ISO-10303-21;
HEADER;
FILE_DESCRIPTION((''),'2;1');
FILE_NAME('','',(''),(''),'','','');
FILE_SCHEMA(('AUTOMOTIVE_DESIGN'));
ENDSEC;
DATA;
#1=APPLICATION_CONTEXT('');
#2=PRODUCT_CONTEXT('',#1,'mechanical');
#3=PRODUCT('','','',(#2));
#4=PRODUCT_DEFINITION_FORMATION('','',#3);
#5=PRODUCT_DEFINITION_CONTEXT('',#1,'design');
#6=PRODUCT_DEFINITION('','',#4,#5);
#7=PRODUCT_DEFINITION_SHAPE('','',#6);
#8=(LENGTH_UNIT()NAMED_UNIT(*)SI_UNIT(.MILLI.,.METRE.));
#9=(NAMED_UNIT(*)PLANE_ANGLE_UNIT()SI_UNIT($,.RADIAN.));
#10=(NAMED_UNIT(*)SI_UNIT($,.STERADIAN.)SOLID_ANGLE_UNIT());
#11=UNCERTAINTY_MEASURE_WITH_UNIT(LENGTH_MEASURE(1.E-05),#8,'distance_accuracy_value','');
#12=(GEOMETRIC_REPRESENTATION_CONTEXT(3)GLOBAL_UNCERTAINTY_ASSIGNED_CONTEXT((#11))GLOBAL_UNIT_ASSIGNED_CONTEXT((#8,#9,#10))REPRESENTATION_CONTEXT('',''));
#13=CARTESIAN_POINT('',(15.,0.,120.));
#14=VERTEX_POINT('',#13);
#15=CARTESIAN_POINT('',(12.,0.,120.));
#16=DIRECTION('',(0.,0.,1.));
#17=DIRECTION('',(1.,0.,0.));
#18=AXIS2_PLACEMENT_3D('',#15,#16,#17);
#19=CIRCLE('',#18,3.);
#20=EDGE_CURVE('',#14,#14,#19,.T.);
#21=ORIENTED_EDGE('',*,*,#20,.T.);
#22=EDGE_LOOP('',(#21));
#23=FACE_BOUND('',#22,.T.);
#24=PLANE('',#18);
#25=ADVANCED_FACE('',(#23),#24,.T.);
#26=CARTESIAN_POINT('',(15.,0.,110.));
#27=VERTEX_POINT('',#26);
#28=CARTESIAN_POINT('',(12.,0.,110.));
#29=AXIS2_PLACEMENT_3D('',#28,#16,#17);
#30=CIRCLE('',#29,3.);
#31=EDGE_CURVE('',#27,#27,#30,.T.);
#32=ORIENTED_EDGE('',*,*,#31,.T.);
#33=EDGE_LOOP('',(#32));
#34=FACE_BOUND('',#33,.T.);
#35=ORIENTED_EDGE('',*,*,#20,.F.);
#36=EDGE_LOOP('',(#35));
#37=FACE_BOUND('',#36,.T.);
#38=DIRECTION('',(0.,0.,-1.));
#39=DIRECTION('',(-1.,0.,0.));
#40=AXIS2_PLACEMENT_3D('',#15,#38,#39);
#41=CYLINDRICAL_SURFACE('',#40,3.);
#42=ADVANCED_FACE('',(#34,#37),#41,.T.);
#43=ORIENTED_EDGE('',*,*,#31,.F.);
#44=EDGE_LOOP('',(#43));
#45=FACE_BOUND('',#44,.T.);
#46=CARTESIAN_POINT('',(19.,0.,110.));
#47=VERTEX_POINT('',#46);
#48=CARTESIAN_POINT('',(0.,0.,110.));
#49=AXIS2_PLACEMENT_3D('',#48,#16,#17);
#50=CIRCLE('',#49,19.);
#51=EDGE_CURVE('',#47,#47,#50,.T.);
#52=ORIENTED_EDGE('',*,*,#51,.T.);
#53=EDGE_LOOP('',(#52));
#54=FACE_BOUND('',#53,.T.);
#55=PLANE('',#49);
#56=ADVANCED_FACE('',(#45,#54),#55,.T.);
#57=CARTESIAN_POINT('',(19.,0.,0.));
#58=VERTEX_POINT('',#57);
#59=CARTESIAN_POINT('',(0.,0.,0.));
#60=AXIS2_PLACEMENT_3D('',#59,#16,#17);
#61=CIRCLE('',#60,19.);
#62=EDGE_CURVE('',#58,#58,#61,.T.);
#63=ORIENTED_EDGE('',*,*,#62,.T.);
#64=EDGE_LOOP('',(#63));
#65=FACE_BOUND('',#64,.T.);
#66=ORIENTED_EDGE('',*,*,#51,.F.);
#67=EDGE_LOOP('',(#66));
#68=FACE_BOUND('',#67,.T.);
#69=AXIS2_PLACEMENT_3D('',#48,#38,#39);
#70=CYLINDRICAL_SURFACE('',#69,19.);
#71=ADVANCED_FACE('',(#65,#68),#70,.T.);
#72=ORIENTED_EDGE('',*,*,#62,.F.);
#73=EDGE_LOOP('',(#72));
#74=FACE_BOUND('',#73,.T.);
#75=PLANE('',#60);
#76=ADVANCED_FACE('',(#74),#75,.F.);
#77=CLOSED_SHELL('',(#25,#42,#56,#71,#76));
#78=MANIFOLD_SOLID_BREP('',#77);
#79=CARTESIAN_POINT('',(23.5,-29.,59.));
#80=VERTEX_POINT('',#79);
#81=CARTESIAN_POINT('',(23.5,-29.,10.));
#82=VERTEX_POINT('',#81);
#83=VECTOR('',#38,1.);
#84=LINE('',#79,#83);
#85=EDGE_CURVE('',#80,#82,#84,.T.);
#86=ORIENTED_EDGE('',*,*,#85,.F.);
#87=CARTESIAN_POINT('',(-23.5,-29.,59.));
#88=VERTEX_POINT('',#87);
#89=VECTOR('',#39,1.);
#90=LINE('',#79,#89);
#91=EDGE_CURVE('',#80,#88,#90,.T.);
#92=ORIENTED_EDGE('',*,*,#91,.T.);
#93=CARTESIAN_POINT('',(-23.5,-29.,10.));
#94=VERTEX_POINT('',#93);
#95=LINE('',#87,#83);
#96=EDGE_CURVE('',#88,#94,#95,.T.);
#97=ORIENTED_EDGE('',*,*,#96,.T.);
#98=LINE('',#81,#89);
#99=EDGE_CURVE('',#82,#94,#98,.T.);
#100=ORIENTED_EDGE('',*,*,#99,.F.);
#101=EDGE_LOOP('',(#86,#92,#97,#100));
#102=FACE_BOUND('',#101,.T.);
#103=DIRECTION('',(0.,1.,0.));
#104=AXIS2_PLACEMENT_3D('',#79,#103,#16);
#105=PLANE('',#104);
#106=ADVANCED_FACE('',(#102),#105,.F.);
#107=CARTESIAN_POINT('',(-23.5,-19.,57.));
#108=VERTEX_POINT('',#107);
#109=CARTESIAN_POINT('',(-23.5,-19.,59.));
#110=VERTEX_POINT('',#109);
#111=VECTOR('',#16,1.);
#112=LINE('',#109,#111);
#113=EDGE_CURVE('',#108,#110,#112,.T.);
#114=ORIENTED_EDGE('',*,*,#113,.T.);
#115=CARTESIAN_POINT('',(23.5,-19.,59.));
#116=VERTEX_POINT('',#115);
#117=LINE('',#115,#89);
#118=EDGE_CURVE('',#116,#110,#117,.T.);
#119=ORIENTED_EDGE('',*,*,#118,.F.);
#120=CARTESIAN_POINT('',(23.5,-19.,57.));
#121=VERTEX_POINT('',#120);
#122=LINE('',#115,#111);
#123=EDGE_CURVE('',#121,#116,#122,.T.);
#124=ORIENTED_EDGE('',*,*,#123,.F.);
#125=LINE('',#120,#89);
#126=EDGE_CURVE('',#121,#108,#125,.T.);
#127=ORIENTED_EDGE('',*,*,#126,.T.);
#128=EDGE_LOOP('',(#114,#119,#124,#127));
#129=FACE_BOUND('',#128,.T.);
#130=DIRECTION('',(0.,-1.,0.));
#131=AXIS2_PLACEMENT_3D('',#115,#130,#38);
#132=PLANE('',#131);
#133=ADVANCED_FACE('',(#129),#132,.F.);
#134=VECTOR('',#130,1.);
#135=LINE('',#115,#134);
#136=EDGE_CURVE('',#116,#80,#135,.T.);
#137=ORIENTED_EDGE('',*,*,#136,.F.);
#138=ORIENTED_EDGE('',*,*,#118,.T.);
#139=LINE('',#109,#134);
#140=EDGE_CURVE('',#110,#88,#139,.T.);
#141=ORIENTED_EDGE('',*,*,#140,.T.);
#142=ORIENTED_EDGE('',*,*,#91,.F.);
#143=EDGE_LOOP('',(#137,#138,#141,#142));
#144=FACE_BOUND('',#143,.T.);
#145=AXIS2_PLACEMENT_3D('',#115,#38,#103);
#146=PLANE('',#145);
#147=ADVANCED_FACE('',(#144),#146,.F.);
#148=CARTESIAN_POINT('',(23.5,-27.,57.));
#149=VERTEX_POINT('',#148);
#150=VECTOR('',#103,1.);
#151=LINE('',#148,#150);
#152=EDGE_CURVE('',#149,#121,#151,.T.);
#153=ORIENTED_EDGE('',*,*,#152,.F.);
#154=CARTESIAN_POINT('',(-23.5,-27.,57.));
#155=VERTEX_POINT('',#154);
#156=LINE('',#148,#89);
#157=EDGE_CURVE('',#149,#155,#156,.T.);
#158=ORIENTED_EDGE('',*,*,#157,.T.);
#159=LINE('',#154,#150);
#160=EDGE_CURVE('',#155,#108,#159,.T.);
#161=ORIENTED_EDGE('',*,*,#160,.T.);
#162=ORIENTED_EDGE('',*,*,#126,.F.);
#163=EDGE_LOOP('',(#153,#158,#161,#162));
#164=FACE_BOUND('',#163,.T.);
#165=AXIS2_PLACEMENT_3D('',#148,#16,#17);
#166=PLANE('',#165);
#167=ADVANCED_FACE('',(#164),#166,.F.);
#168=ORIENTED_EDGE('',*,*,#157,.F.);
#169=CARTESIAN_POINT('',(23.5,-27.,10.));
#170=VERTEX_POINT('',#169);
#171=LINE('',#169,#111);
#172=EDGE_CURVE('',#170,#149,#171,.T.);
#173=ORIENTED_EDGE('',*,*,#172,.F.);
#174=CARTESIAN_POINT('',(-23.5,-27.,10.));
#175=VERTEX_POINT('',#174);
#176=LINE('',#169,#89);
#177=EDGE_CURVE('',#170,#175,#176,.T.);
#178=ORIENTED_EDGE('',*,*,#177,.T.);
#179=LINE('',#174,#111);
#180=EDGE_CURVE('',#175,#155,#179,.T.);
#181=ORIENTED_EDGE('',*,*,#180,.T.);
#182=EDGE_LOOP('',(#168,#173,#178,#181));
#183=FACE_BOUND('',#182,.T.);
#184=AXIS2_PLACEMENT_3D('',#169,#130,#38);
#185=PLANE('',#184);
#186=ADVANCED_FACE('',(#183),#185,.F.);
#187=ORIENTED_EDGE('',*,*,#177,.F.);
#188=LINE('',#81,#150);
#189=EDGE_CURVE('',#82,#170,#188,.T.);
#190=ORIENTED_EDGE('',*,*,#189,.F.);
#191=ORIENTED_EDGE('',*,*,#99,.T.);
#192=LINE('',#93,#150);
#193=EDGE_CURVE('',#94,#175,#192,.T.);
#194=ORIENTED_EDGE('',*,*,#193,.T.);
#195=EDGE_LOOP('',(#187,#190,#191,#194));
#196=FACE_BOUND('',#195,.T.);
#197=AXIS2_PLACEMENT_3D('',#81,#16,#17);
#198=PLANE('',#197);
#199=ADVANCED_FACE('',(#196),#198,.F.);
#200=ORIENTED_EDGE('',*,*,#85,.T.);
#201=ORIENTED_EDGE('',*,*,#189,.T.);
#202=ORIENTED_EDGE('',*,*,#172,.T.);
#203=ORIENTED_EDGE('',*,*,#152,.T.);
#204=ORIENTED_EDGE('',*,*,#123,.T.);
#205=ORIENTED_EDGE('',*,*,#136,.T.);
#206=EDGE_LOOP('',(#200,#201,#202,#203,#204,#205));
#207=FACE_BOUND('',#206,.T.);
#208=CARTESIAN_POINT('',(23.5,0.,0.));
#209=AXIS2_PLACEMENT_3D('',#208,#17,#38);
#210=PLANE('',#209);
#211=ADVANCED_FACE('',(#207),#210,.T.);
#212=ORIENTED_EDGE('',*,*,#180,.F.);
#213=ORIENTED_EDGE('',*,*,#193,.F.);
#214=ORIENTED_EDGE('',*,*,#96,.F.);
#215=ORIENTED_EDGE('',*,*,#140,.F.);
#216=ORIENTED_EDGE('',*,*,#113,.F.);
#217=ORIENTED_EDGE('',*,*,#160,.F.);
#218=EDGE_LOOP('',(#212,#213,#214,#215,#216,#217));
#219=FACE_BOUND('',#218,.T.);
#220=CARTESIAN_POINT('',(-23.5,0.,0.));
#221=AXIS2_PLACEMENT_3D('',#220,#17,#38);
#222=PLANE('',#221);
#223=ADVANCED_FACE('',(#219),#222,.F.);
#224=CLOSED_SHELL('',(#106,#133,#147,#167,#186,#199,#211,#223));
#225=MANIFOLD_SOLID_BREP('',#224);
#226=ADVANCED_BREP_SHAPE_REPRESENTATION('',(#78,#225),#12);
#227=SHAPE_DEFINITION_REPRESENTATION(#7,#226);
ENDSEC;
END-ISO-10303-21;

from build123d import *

# Parameters (mm, degrees)
ESQUISSE1_R             = 19
BOSS_EXTRU_1_DEPTH      = 110
ESQUISSE2_R             = 3
BOSS_EXTRU_2_DEPTH      = 10
BOSS_EXTRU_3_DEPTH      = 23.5
BOSS_EXTRU_3_DEPTH_BACK = 23.5


with BuildPart() as part:
    # Esquisse1 → Boss.-Extru.1 (new body)
    with BuildSketch(Plane.XY):
        Circle(ESQUISSE1_R)
    extrude(amount=BOSS_EXTRU_1_DEPTH)

    # Esquisse2 → Boss.-Extru.2 (add)
    with BuildSketch(Plane.XY.offset(110)):
        with Locations((12, 0)):
            Circle(ESQUISSE2_R)
    extrude(amount=BOSS_EXTRU_2_DEPTH)


with BuildPart() as body_2:
    # Esquisse3 → Boss.-Extru.3 (new, two sides: drawn at the far end of the back side and taken through both)
    with BuildSketch(Plane(origin=(0, 0, 0), x_dir=(0, 0, -1), z_dir=(1, 0, 0)).offset(-BOSS_EXTRU_3_DEPTH_BACK)):
        Polygon((-59, -19), (-59, -29), (-10, -29), (-10, -27), (-57, -27), (-57, -19), align=None)
    extrude(amount=BOSS_EXTRU_3_DEPTH + BOSS_EXTRU_3_DEPTH_BACK)


solid = Compound([part.part, body_2.part])
